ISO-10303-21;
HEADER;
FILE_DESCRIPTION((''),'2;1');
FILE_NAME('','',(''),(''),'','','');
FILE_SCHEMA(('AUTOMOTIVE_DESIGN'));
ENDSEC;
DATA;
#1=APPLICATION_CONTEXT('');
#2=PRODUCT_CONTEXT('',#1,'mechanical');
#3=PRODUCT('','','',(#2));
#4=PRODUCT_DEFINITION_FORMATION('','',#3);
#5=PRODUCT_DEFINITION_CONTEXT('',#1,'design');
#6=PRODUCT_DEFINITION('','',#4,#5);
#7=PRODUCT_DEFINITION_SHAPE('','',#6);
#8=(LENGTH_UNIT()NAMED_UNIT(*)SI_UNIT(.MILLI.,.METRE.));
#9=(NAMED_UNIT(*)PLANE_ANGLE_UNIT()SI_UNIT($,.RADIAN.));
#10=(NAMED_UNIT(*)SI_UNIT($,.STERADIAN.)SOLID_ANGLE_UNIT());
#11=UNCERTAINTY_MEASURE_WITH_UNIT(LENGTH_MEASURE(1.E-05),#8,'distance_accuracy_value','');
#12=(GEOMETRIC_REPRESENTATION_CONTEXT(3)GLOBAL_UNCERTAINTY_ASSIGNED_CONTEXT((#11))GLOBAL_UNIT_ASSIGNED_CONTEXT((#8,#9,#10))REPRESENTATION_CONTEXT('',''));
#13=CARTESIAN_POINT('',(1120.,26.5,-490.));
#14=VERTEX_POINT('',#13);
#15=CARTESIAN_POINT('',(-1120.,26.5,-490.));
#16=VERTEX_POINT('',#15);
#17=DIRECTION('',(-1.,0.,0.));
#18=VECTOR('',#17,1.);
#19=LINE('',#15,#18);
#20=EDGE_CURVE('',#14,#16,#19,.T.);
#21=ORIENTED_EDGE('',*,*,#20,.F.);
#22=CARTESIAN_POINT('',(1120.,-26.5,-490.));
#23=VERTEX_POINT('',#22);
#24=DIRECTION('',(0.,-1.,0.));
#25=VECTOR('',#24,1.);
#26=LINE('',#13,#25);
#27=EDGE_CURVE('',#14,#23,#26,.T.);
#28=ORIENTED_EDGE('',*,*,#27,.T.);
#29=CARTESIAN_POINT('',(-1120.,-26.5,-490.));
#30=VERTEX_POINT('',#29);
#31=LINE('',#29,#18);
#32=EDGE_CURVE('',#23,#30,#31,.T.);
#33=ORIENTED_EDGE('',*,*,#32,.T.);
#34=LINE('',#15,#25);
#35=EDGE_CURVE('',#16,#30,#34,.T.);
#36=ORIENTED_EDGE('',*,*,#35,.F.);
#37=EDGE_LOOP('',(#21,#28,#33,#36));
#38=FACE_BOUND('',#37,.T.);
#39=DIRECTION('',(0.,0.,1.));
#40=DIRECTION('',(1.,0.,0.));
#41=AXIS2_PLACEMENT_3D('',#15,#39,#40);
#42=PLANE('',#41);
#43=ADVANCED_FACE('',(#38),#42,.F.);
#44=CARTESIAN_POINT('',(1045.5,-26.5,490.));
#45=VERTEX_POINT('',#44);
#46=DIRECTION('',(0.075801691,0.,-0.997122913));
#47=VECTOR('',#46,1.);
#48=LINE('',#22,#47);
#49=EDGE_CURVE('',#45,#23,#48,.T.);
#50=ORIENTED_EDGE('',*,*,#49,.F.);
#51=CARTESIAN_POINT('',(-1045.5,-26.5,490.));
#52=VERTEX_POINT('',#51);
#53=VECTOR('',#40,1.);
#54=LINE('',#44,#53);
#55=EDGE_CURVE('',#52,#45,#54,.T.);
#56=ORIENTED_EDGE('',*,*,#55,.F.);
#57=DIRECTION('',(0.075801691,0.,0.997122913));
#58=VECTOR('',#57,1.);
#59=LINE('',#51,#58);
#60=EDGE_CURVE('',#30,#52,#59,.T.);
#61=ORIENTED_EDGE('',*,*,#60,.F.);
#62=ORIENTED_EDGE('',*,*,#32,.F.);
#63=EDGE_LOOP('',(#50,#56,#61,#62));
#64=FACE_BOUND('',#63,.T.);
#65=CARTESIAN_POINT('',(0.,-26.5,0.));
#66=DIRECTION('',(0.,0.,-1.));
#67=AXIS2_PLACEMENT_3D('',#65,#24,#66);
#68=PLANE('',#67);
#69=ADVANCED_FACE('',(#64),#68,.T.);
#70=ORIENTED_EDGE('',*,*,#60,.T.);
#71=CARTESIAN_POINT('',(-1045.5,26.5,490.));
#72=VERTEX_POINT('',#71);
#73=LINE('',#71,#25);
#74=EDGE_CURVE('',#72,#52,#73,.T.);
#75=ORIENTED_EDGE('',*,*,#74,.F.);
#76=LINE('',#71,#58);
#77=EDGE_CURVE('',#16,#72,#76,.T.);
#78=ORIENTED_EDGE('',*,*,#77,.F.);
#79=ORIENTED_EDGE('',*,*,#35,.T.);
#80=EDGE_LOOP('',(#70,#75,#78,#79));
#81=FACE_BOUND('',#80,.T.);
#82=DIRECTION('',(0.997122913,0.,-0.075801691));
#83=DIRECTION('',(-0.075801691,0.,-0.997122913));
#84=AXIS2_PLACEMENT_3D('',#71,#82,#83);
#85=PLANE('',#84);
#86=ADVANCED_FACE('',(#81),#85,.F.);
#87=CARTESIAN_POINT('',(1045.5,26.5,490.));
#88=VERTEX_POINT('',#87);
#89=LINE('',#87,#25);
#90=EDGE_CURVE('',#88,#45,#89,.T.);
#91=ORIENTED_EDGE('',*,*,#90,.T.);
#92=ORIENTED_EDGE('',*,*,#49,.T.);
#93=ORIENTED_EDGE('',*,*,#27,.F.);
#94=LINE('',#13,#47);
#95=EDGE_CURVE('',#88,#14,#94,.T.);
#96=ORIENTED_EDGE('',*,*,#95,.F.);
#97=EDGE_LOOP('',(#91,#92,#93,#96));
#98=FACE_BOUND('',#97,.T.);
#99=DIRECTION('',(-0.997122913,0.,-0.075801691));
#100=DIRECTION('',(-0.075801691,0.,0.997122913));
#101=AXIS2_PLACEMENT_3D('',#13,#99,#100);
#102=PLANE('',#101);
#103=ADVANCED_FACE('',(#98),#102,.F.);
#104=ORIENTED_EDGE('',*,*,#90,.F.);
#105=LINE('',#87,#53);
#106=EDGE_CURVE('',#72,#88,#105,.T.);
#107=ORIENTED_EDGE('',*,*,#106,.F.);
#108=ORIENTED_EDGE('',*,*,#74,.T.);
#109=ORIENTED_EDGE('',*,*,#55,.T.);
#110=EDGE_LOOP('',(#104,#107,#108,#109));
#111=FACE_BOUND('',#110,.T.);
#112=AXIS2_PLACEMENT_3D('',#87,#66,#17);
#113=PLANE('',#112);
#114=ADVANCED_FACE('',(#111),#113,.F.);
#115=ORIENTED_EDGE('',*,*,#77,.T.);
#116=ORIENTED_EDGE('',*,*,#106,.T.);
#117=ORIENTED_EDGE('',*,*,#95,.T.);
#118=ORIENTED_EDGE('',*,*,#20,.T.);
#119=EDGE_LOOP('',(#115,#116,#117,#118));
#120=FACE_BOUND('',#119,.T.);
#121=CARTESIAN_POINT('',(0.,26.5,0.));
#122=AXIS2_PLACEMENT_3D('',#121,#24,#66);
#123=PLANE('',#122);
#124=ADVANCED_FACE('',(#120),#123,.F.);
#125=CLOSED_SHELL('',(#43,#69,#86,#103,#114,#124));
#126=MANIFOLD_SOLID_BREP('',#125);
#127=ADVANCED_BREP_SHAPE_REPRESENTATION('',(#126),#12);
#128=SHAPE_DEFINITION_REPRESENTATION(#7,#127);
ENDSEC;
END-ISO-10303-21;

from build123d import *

# Parameters (mm, degrees)
EXTRUDE_1_DEPTH = 26.5


with BuildPart() as part:
    # Эскиз1 → Бобышка-Вытянуть1 (new, symmetric)
    with BuildSketch(Plane(origin=(0, 0, 0), x_dir=(1, 0, 0), z_dir=(0, 1, 0))):
        Polygon((-1120, 490), (1120, 490), (1045.5, -490), (-1045.5, -490), align=None)
    extrude(amount=EXTRUDE_1_DEPTH, both=True)


solid = part.part
